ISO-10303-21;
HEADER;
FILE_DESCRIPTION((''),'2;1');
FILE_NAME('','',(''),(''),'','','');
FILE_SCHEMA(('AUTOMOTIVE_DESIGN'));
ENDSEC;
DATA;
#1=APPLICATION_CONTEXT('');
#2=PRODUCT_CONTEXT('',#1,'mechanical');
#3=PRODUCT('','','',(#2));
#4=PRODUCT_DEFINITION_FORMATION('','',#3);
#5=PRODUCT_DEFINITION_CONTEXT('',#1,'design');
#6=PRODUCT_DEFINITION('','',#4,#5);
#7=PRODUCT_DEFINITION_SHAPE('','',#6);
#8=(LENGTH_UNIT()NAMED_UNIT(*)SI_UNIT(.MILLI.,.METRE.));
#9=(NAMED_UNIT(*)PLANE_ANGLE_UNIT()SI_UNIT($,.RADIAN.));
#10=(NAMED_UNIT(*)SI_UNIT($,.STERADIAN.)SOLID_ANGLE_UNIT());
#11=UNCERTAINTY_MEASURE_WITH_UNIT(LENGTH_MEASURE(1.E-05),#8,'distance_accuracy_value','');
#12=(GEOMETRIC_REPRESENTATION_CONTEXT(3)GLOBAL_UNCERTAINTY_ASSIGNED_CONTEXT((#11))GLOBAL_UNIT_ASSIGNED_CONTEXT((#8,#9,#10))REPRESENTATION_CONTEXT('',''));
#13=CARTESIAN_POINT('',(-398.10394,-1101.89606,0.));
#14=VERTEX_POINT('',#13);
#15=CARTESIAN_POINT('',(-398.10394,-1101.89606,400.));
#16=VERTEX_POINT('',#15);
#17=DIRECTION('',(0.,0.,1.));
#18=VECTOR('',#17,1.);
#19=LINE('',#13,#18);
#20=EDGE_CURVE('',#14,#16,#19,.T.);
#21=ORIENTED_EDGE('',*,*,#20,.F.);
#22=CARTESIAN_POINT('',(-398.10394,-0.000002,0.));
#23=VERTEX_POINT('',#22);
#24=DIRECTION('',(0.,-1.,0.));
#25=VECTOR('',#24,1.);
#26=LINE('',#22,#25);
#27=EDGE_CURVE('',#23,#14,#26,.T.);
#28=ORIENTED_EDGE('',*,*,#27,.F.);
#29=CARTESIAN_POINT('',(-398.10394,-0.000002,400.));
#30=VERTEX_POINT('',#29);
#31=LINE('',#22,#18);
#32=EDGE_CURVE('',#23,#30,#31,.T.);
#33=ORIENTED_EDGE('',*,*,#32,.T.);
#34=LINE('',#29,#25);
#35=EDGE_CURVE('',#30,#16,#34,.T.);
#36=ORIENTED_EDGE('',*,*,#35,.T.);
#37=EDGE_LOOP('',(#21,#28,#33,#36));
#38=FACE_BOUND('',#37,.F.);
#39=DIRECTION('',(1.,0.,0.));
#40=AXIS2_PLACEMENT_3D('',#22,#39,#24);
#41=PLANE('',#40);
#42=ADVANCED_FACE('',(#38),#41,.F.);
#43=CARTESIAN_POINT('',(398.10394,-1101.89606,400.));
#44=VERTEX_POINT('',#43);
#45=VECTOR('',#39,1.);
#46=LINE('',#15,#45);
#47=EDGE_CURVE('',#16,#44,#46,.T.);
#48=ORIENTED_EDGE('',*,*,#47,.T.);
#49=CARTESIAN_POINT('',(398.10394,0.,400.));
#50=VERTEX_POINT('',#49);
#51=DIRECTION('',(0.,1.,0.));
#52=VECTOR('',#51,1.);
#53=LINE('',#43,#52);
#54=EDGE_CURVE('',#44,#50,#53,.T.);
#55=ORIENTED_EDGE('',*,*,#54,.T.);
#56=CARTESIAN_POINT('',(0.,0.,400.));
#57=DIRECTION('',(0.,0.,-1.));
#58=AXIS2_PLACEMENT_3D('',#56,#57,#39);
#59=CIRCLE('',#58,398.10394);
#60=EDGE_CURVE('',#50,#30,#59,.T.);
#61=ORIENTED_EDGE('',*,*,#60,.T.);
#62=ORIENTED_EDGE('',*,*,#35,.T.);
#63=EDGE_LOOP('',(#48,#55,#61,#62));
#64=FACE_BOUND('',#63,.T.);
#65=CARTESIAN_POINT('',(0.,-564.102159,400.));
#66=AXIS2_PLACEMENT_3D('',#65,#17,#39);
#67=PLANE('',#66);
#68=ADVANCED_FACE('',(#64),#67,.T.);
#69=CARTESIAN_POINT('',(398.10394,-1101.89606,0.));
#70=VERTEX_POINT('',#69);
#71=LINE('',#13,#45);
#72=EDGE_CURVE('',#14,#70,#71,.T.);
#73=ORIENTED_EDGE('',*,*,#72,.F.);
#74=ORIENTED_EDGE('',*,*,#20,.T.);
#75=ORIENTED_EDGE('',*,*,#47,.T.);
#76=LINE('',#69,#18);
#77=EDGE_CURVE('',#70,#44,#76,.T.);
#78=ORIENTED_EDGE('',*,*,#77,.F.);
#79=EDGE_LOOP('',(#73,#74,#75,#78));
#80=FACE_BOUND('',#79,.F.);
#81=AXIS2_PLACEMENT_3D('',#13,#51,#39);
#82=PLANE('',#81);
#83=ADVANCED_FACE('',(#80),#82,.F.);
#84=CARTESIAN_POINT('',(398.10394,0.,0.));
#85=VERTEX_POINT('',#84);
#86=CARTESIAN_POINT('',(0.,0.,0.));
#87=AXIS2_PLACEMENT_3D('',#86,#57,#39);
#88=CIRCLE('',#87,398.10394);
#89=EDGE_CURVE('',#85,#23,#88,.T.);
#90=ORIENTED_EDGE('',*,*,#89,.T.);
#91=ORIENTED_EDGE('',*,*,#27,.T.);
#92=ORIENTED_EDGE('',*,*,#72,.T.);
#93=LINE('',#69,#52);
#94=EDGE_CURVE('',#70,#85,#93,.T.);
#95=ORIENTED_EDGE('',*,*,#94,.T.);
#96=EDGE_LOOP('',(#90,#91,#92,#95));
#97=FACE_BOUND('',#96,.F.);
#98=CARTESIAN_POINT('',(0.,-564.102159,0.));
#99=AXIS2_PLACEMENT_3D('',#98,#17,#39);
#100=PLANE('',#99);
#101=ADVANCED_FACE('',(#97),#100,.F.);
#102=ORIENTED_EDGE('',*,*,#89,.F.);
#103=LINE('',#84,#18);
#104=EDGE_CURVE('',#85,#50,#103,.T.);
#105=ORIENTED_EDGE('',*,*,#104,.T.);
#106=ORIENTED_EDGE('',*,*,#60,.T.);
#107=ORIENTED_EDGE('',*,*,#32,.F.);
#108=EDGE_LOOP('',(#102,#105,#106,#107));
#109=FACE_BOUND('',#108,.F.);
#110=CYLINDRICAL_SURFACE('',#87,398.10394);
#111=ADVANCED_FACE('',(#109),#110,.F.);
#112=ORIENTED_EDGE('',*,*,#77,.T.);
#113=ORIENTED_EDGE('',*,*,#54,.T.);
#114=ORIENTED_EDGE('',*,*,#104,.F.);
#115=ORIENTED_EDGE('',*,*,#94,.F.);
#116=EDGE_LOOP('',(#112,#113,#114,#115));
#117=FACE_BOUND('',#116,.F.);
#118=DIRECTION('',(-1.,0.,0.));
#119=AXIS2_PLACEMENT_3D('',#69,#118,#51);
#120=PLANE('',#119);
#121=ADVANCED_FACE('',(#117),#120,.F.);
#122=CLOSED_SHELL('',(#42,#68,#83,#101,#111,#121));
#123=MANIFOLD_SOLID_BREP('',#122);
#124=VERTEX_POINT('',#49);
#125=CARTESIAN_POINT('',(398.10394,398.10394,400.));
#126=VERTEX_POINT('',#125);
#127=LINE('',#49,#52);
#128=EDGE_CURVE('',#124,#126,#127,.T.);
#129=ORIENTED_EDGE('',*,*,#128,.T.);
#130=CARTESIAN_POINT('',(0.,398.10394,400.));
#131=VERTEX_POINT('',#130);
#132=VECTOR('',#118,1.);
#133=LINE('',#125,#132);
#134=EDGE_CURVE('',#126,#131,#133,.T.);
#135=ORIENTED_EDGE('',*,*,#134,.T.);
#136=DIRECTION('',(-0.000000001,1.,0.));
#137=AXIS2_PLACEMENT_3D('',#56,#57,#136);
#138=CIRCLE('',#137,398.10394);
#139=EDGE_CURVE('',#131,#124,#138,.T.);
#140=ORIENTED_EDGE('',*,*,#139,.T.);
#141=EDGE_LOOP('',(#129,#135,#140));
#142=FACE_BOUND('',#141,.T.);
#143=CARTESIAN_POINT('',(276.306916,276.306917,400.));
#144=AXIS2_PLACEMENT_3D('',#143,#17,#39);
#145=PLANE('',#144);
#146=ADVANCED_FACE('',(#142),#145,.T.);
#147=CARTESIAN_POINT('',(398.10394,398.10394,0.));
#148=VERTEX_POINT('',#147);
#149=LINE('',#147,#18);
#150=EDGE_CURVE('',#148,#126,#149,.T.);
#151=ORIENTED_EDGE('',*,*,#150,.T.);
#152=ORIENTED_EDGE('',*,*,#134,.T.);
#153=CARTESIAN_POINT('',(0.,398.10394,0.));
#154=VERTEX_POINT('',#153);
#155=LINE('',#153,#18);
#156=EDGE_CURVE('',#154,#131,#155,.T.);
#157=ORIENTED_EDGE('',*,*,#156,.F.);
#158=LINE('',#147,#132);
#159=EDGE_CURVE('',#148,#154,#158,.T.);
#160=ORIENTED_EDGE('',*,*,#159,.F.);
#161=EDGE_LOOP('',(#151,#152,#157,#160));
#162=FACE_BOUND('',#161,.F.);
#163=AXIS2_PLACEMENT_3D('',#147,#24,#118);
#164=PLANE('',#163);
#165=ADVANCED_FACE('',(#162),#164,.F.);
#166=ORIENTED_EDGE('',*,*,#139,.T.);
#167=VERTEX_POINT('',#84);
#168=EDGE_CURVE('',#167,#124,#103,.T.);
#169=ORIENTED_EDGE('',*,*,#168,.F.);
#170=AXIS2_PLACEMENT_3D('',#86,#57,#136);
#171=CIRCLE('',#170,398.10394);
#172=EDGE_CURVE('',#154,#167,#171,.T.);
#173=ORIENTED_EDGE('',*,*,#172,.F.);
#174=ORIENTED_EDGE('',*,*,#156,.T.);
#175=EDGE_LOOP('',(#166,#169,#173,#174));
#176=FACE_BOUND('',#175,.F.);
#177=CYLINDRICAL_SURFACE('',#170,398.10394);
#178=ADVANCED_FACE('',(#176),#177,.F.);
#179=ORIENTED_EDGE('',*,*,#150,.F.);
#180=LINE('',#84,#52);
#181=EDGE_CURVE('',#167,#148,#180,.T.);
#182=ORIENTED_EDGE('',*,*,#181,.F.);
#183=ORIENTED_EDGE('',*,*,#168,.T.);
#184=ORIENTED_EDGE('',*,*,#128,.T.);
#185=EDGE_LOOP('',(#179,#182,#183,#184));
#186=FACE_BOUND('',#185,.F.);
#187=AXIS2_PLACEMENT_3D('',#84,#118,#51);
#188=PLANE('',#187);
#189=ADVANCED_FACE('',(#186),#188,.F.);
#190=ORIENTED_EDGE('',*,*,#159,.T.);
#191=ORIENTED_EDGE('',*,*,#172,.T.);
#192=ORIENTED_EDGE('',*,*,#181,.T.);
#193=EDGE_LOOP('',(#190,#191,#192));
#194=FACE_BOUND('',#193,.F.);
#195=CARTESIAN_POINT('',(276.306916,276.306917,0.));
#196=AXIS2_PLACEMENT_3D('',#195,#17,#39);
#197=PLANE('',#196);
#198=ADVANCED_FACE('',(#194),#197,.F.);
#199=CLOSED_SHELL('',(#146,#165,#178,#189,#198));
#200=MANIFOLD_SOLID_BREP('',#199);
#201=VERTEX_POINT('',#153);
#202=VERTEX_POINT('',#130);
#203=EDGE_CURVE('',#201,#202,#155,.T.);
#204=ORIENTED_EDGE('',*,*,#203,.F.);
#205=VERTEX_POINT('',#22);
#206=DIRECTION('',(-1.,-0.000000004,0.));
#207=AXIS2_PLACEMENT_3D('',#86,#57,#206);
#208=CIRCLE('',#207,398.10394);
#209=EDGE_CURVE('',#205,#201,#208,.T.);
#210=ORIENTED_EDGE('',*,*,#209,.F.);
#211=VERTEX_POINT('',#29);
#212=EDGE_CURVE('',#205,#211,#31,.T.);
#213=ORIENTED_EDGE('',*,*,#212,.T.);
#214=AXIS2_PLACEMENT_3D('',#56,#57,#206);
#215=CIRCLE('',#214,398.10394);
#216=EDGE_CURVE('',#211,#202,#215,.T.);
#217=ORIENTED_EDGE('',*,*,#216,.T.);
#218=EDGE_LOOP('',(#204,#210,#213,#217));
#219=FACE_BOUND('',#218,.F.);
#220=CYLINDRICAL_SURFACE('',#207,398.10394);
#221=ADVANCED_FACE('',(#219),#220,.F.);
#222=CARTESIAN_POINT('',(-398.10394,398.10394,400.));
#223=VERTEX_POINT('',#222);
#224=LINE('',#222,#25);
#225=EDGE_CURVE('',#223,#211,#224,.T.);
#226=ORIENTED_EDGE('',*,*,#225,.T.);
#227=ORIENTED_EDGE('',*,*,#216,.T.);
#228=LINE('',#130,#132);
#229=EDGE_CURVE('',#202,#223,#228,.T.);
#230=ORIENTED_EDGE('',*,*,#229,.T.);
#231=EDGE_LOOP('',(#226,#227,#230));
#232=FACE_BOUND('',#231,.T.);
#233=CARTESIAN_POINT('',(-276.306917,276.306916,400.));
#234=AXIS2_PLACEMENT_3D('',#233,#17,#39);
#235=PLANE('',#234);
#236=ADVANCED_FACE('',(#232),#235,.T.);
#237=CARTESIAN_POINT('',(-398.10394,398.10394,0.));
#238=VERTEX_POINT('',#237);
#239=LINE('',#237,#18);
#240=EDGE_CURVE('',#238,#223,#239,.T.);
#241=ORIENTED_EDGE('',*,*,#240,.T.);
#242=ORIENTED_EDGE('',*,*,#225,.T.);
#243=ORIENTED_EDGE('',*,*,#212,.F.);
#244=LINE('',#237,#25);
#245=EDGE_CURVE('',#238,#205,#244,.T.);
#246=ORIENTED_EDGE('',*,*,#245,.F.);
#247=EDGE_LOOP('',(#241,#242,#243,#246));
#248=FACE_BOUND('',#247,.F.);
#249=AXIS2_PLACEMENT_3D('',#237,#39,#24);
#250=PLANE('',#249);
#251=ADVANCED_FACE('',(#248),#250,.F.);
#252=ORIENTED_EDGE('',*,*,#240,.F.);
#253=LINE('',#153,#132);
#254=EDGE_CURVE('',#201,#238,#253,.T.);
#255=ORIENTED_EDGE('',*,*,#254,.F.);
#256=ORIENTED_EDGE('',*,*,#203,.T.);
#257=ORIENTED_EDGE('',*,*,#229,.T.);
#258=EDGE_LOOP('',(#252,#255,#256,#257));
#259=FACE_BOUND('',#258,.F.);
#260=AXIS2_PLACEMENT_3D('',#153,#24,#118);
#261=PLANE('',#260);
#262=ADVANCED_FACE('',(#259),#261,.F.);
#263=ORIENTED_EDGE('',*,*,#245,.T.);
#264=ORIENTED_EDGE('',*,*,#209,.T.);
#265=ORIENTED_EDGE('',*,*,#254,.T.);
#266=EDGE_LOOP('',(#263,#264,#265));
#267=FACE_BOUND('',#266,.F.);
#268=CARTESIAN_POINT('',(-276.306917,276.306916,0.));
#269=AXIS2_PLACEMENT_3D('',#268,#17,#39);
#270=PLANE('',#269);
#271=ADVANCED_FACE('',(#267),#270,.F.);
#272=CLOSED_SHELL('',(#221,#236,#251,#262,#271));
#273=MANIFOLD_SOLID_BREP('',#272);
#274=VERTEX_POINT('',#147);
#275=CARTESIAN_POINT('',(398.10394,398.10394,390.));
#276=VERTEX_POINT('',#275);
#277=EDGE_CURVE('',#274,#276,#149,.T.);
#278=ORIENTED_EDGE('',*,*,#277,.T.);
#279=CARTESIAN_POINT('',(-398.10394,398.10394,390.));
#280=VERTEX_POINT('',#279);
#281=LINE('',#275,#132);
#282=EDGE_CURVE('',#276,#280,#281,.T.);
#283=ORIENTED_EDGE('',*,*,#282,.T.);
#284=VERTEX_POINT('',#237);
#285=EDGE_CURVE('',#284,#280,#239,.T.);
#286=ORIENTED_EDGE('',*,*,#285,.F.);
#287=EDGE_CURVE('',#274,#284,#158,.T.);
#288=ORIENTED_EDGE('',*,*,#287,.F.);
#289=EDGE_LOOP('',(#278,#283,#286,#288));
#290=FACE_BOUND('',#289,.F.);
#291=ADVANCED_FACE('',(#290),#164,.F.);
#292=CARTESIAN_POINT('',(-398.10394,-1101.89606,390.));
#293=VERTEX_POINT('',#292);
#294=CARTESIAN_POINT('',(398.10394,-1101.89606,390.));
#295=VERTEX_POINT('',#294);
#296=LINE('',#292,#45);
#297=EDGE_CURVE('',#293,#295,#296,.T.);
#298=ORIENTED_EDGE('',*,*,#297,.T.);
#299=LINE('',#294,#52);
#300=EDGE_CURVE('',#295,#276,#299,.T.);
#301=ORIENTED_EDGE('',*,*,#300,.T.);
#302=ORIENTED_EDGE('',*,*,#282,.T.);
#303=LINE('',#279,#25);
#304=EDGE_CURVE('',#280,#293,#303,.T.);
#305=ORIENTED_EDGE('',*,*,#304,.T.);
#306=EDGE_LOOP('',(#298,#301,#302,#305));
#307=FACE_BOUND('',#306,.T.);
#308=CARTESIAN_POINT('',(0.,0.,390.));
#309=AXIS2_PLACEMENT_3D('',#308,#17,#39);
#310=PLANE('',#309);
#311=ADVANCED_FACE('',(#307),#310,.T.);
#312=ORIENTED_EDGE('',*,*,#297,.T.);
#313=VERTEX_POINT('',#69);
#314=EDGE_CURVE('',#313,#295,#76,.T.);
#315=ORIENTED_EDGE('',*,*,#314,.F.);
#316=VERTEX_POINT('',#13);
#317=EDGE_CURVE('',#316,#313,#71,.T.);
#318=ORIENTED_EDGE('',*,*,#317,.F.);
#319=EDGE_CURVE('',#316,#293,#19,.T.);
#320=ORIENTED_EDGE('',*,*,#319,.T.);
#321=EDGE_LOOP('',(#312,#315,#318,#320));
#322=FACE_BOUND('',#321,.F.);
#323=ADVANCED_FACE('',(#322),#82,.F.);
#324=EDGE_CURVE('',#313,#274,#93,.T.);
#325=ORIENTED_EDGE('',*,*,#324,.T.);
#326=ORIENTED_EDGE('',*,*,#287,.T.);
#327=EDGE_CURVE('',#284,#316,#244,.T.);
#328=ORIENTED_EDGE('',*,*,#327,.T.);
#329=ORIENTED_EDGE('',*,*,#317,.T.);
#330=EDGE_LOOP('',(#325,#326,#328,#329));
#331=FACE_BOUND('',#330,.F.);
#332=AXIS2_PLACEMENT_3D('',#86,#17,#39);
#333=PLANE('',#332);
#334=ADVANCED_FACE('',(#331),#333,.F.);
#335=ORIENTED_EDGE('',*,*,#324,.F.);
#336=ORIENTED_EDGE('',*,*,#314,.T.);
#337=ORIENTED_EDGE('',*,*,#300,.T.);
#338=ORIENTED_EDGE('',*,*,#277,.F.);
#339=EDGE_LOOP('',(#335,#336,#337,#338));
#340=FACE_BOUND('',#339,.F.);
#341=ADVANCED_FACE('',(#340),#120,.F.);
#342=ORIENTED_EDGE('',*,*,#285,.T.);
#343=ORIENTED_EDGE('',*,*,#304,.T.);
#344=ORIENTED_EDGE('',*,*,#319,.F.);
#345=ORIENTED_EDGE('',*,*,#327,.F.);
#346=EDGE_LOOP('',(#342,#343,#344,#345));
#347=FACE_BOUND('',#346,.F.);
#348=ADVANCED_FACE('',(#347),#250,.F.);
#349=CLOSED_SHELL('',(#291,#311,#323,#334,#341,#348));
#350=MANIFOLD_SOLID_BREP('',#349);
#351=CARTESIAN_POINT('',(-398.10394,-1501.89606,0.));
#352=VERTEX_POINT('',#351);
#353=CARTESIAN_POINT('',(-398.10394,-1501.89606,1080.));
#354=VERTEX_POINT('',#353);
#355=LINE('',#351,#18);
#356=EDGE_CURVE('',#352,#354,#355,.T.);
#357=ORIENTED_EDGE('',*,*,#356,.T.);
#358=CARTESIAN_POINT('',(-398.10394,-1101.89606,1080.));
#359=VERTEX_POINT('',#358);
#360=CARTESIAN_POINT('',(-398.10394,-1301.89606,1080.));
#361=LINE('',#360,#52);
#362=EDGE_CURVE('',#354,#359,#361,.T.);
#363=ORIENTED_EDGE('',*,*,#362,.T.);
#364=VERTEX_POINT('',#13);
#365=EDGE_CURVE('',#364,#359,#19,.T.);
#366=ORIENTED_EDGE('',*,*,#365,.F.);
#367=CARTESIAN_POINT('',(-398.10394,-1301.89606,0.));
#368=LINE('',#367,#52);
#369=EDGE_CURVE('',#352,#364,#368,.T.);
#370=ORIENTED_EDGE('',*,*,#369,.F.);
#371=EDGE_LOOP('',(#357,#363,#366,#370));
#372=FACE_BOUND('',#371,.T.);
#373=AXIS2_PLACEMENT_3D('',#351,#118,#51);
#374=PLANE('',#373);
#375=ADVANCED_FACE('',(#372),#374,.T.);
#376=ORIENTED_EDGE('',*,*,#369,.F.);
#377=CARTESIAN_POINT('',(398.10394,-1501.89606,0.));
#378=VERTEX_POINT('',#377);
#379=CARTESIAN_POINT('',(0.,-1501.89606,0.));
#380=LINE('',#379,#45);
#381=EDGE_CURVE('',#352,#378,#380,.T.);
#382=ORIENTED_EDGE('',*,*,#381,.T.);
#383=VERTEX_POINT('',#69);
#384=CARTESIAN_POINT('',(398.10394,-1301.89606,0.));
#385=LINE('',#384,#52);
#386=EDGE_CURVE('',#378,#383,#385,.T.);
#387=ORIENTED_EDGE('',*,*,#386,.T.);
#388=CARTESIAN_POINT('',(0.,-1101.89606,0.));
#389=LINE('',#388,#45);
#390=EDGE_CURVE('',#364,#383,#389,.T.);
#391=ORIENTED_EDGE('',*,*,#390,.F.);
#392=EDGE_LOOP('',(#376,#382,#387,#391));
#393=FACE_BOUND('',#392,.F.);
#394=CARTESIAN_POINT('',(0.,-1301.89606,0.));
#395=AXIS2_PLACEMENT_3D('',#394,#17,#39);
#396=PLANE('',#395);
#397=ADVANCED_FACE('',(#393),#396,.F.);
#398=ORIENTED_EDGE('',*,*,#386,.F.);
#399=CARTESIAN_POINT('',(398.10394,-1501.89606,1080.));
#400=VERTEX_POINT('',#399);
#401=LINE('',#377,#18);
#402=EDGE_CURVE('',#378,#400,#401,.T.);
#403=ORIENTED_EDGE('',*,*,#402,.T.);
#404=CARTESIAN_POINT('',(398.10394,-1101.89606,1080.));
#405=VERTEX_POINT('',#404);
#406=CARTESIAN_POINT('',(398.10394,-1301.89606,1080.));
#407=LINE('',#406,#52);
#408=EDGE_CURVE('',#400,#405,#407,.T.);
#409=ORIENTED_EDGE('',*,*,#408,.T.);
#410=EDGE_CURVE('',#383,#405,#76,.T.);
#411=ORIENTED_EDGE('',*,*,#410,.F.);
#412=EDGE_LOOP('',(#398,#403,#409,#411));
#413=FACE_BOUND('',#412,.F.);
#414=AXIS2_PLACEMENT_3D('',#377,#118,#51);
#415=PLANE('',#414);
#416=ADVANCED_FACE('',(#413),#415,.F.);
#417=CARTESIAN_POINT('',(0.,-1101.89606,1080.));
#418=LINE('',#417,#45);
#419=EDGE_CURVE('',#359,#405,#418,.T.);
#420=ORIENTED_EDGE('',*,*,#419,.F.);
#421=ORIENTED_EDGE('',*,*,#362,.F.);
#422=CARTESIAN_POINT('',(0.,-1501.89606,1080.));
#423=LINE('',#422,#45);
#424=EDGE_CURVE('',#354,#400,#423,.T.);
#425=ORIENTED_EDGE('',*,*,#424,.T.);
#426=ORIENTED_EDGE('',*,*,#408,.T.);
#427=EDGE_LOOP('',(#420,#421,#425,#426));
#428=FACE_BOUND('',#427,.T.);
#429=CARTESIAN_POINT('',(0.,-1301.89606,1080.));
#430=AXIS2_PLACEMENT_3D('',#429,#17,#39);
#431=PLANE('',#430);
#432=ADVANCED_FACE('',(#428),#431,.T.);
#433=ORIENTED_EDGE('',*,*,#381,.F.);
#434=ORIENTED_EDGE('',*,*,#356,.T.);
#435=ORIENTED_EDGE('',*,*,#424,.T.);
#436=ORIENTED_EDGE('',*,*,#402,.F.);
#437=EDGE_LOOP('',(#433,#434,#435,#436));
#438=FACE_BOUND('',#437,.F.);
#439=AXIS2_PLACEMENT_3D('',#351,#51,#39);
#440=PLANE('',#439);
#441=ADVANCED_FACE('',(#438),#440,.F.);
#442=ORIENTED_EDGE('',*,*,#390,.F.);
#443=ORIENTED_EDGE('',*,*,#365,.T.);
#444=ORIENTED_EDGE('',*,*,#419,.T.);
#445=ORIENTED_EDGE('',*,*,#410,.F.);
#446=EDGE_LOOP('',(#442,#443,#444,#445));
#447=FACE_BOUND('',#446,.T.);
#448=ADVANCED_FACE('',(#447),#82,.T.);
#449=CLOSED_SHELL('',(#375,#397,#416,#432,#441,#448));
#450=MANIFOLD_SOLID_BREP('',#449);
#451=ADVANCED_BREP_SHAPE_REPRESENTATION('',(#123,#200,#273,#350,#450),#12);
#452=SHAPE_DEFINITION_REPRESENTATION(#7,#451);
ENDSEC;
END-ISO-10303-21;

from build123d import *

# Parameters (mm, degrees)
F1_DEPTH = 400
F2_DEPTH = 390
F3_W     = 796.20788
F3_H     = 400
F4_DEPTH = 1080


with BuildPart() as f1:
    # F0 (on Top) → F1 (new body)
    with BuildSketch(Plane.XY):
        with BuildLine():
            Line((398.10394, -1101.89606), (398.10394, 0))
            ThreePointArc((398.10394, 0), (7.974e-07, -398.10394), (-398.10394, -1.5948e-06))
            Line((-398.10394, -1.5948e-06), (-398.10394, -1101.89606))
            Line((-398.10394, -1101.89606), (398.10394, -1101.89606))
        make_face()
    extrude(amount=F1_DEPTH)


with BuildPart() as f1b:
    # F0 (on Top) → F1, piece 2 (new body)
    with BuildSketch(Plane.XY):
        with BuildLine():
            ThreePointArc((-4.806e-07, 398.10394), (281.5019954212, 281.501995761), (398.10394, 0))
            Line((398.10394, 0), (398.10394, 398.10394))
            Line((398.10394, 398.10394), (-4.806e-07, 398.10394))
        make_face()
    extrude(amount=F1_DEPTH)


with BuildPart() as f1c:
    # F0 (on Top) → F1, piece 3 (new body)
    with BuildSketch(Plane.XY):
        with BuildLine():
            ThreePointArc((-398.10394, -1.5948e-06), (-281.5019963248, 281.5019948573), (-4.806e-07, 398.10394))
            Line((-4.806e-07, 398.10394), (-398.10394, 398.10394))
            Line((-398.10394, 398.10394), (-398.10394, -1.5948e-06))
        make_face()
    extrude(amount=F1_DEPTH)


with BuildPart() as f2:
    # F0 (on Top) → F2 (new body)
    with BuildSketch(Plane.XY):
        with BuildLine():
            ThreePointArc((-398.10394, -1.5948e-06), (7.974e-07, -398.10394), (398.10394, 0))
            ThreePointArc((398.10394, 0), (281.5019954212, 281.501995761), (-4.806e-07, 398.10394))
            ThreePointArc((-4.806e-07, 398.10394), (-281.5019963248, 281.5019948573), (-398.10394, -1.5948e-06))
        make_face()
        with BuildLine():
            Line((398.10394, -1101.89606), (398.10394, 0))
            ThreePointArc((398.10394, 0), (7.974e-07, -398.10394), (-398.10394, -1.5948e-06))
            Line((-398.10394, -1.5948e-06), (-398.10394, -1101.89606))
            Line((-398.10394, -1101.89606), (398.10394, -1101.89606))
        make_face()
        with BuildLine():
            ThreePointArc((-4.806e-07, 398.10394), (281.5019954212, 281.501995761), (398.10394, 0))
            Line((398.10394, 0), (398.10394, 398.10394))
            Line((398.10394, 398.10394), (-4.806e-07, 398.10394))
        make_face()
        with BuildLine():
            ThreePointArc((-398.10394, -1.5948e-06), (-281.5019963248, 281.5019948573), (-4.806e-07, 398.10394))
            Line((-4.806e-07, 398.10394), (-398.10394, 398.10394))
            Line((-398.10394, 398.10394), (-398.10394, -1.5948e-06))
        make_face()
    extrude(amount=F2_DEPTH)


with BuildPart() as f4:
    # F3 (on Top) → F4 (new body)
    with BuildSketch(Plane.XY):
        with Locations((0, -1301.89606)):
            Rectangle(F3_W, F3_H)
    extrude(amount=F4_DEPTH)


solid = Compound([f1.part, f1b.part, f1c.part, f2.part, f4.part])
